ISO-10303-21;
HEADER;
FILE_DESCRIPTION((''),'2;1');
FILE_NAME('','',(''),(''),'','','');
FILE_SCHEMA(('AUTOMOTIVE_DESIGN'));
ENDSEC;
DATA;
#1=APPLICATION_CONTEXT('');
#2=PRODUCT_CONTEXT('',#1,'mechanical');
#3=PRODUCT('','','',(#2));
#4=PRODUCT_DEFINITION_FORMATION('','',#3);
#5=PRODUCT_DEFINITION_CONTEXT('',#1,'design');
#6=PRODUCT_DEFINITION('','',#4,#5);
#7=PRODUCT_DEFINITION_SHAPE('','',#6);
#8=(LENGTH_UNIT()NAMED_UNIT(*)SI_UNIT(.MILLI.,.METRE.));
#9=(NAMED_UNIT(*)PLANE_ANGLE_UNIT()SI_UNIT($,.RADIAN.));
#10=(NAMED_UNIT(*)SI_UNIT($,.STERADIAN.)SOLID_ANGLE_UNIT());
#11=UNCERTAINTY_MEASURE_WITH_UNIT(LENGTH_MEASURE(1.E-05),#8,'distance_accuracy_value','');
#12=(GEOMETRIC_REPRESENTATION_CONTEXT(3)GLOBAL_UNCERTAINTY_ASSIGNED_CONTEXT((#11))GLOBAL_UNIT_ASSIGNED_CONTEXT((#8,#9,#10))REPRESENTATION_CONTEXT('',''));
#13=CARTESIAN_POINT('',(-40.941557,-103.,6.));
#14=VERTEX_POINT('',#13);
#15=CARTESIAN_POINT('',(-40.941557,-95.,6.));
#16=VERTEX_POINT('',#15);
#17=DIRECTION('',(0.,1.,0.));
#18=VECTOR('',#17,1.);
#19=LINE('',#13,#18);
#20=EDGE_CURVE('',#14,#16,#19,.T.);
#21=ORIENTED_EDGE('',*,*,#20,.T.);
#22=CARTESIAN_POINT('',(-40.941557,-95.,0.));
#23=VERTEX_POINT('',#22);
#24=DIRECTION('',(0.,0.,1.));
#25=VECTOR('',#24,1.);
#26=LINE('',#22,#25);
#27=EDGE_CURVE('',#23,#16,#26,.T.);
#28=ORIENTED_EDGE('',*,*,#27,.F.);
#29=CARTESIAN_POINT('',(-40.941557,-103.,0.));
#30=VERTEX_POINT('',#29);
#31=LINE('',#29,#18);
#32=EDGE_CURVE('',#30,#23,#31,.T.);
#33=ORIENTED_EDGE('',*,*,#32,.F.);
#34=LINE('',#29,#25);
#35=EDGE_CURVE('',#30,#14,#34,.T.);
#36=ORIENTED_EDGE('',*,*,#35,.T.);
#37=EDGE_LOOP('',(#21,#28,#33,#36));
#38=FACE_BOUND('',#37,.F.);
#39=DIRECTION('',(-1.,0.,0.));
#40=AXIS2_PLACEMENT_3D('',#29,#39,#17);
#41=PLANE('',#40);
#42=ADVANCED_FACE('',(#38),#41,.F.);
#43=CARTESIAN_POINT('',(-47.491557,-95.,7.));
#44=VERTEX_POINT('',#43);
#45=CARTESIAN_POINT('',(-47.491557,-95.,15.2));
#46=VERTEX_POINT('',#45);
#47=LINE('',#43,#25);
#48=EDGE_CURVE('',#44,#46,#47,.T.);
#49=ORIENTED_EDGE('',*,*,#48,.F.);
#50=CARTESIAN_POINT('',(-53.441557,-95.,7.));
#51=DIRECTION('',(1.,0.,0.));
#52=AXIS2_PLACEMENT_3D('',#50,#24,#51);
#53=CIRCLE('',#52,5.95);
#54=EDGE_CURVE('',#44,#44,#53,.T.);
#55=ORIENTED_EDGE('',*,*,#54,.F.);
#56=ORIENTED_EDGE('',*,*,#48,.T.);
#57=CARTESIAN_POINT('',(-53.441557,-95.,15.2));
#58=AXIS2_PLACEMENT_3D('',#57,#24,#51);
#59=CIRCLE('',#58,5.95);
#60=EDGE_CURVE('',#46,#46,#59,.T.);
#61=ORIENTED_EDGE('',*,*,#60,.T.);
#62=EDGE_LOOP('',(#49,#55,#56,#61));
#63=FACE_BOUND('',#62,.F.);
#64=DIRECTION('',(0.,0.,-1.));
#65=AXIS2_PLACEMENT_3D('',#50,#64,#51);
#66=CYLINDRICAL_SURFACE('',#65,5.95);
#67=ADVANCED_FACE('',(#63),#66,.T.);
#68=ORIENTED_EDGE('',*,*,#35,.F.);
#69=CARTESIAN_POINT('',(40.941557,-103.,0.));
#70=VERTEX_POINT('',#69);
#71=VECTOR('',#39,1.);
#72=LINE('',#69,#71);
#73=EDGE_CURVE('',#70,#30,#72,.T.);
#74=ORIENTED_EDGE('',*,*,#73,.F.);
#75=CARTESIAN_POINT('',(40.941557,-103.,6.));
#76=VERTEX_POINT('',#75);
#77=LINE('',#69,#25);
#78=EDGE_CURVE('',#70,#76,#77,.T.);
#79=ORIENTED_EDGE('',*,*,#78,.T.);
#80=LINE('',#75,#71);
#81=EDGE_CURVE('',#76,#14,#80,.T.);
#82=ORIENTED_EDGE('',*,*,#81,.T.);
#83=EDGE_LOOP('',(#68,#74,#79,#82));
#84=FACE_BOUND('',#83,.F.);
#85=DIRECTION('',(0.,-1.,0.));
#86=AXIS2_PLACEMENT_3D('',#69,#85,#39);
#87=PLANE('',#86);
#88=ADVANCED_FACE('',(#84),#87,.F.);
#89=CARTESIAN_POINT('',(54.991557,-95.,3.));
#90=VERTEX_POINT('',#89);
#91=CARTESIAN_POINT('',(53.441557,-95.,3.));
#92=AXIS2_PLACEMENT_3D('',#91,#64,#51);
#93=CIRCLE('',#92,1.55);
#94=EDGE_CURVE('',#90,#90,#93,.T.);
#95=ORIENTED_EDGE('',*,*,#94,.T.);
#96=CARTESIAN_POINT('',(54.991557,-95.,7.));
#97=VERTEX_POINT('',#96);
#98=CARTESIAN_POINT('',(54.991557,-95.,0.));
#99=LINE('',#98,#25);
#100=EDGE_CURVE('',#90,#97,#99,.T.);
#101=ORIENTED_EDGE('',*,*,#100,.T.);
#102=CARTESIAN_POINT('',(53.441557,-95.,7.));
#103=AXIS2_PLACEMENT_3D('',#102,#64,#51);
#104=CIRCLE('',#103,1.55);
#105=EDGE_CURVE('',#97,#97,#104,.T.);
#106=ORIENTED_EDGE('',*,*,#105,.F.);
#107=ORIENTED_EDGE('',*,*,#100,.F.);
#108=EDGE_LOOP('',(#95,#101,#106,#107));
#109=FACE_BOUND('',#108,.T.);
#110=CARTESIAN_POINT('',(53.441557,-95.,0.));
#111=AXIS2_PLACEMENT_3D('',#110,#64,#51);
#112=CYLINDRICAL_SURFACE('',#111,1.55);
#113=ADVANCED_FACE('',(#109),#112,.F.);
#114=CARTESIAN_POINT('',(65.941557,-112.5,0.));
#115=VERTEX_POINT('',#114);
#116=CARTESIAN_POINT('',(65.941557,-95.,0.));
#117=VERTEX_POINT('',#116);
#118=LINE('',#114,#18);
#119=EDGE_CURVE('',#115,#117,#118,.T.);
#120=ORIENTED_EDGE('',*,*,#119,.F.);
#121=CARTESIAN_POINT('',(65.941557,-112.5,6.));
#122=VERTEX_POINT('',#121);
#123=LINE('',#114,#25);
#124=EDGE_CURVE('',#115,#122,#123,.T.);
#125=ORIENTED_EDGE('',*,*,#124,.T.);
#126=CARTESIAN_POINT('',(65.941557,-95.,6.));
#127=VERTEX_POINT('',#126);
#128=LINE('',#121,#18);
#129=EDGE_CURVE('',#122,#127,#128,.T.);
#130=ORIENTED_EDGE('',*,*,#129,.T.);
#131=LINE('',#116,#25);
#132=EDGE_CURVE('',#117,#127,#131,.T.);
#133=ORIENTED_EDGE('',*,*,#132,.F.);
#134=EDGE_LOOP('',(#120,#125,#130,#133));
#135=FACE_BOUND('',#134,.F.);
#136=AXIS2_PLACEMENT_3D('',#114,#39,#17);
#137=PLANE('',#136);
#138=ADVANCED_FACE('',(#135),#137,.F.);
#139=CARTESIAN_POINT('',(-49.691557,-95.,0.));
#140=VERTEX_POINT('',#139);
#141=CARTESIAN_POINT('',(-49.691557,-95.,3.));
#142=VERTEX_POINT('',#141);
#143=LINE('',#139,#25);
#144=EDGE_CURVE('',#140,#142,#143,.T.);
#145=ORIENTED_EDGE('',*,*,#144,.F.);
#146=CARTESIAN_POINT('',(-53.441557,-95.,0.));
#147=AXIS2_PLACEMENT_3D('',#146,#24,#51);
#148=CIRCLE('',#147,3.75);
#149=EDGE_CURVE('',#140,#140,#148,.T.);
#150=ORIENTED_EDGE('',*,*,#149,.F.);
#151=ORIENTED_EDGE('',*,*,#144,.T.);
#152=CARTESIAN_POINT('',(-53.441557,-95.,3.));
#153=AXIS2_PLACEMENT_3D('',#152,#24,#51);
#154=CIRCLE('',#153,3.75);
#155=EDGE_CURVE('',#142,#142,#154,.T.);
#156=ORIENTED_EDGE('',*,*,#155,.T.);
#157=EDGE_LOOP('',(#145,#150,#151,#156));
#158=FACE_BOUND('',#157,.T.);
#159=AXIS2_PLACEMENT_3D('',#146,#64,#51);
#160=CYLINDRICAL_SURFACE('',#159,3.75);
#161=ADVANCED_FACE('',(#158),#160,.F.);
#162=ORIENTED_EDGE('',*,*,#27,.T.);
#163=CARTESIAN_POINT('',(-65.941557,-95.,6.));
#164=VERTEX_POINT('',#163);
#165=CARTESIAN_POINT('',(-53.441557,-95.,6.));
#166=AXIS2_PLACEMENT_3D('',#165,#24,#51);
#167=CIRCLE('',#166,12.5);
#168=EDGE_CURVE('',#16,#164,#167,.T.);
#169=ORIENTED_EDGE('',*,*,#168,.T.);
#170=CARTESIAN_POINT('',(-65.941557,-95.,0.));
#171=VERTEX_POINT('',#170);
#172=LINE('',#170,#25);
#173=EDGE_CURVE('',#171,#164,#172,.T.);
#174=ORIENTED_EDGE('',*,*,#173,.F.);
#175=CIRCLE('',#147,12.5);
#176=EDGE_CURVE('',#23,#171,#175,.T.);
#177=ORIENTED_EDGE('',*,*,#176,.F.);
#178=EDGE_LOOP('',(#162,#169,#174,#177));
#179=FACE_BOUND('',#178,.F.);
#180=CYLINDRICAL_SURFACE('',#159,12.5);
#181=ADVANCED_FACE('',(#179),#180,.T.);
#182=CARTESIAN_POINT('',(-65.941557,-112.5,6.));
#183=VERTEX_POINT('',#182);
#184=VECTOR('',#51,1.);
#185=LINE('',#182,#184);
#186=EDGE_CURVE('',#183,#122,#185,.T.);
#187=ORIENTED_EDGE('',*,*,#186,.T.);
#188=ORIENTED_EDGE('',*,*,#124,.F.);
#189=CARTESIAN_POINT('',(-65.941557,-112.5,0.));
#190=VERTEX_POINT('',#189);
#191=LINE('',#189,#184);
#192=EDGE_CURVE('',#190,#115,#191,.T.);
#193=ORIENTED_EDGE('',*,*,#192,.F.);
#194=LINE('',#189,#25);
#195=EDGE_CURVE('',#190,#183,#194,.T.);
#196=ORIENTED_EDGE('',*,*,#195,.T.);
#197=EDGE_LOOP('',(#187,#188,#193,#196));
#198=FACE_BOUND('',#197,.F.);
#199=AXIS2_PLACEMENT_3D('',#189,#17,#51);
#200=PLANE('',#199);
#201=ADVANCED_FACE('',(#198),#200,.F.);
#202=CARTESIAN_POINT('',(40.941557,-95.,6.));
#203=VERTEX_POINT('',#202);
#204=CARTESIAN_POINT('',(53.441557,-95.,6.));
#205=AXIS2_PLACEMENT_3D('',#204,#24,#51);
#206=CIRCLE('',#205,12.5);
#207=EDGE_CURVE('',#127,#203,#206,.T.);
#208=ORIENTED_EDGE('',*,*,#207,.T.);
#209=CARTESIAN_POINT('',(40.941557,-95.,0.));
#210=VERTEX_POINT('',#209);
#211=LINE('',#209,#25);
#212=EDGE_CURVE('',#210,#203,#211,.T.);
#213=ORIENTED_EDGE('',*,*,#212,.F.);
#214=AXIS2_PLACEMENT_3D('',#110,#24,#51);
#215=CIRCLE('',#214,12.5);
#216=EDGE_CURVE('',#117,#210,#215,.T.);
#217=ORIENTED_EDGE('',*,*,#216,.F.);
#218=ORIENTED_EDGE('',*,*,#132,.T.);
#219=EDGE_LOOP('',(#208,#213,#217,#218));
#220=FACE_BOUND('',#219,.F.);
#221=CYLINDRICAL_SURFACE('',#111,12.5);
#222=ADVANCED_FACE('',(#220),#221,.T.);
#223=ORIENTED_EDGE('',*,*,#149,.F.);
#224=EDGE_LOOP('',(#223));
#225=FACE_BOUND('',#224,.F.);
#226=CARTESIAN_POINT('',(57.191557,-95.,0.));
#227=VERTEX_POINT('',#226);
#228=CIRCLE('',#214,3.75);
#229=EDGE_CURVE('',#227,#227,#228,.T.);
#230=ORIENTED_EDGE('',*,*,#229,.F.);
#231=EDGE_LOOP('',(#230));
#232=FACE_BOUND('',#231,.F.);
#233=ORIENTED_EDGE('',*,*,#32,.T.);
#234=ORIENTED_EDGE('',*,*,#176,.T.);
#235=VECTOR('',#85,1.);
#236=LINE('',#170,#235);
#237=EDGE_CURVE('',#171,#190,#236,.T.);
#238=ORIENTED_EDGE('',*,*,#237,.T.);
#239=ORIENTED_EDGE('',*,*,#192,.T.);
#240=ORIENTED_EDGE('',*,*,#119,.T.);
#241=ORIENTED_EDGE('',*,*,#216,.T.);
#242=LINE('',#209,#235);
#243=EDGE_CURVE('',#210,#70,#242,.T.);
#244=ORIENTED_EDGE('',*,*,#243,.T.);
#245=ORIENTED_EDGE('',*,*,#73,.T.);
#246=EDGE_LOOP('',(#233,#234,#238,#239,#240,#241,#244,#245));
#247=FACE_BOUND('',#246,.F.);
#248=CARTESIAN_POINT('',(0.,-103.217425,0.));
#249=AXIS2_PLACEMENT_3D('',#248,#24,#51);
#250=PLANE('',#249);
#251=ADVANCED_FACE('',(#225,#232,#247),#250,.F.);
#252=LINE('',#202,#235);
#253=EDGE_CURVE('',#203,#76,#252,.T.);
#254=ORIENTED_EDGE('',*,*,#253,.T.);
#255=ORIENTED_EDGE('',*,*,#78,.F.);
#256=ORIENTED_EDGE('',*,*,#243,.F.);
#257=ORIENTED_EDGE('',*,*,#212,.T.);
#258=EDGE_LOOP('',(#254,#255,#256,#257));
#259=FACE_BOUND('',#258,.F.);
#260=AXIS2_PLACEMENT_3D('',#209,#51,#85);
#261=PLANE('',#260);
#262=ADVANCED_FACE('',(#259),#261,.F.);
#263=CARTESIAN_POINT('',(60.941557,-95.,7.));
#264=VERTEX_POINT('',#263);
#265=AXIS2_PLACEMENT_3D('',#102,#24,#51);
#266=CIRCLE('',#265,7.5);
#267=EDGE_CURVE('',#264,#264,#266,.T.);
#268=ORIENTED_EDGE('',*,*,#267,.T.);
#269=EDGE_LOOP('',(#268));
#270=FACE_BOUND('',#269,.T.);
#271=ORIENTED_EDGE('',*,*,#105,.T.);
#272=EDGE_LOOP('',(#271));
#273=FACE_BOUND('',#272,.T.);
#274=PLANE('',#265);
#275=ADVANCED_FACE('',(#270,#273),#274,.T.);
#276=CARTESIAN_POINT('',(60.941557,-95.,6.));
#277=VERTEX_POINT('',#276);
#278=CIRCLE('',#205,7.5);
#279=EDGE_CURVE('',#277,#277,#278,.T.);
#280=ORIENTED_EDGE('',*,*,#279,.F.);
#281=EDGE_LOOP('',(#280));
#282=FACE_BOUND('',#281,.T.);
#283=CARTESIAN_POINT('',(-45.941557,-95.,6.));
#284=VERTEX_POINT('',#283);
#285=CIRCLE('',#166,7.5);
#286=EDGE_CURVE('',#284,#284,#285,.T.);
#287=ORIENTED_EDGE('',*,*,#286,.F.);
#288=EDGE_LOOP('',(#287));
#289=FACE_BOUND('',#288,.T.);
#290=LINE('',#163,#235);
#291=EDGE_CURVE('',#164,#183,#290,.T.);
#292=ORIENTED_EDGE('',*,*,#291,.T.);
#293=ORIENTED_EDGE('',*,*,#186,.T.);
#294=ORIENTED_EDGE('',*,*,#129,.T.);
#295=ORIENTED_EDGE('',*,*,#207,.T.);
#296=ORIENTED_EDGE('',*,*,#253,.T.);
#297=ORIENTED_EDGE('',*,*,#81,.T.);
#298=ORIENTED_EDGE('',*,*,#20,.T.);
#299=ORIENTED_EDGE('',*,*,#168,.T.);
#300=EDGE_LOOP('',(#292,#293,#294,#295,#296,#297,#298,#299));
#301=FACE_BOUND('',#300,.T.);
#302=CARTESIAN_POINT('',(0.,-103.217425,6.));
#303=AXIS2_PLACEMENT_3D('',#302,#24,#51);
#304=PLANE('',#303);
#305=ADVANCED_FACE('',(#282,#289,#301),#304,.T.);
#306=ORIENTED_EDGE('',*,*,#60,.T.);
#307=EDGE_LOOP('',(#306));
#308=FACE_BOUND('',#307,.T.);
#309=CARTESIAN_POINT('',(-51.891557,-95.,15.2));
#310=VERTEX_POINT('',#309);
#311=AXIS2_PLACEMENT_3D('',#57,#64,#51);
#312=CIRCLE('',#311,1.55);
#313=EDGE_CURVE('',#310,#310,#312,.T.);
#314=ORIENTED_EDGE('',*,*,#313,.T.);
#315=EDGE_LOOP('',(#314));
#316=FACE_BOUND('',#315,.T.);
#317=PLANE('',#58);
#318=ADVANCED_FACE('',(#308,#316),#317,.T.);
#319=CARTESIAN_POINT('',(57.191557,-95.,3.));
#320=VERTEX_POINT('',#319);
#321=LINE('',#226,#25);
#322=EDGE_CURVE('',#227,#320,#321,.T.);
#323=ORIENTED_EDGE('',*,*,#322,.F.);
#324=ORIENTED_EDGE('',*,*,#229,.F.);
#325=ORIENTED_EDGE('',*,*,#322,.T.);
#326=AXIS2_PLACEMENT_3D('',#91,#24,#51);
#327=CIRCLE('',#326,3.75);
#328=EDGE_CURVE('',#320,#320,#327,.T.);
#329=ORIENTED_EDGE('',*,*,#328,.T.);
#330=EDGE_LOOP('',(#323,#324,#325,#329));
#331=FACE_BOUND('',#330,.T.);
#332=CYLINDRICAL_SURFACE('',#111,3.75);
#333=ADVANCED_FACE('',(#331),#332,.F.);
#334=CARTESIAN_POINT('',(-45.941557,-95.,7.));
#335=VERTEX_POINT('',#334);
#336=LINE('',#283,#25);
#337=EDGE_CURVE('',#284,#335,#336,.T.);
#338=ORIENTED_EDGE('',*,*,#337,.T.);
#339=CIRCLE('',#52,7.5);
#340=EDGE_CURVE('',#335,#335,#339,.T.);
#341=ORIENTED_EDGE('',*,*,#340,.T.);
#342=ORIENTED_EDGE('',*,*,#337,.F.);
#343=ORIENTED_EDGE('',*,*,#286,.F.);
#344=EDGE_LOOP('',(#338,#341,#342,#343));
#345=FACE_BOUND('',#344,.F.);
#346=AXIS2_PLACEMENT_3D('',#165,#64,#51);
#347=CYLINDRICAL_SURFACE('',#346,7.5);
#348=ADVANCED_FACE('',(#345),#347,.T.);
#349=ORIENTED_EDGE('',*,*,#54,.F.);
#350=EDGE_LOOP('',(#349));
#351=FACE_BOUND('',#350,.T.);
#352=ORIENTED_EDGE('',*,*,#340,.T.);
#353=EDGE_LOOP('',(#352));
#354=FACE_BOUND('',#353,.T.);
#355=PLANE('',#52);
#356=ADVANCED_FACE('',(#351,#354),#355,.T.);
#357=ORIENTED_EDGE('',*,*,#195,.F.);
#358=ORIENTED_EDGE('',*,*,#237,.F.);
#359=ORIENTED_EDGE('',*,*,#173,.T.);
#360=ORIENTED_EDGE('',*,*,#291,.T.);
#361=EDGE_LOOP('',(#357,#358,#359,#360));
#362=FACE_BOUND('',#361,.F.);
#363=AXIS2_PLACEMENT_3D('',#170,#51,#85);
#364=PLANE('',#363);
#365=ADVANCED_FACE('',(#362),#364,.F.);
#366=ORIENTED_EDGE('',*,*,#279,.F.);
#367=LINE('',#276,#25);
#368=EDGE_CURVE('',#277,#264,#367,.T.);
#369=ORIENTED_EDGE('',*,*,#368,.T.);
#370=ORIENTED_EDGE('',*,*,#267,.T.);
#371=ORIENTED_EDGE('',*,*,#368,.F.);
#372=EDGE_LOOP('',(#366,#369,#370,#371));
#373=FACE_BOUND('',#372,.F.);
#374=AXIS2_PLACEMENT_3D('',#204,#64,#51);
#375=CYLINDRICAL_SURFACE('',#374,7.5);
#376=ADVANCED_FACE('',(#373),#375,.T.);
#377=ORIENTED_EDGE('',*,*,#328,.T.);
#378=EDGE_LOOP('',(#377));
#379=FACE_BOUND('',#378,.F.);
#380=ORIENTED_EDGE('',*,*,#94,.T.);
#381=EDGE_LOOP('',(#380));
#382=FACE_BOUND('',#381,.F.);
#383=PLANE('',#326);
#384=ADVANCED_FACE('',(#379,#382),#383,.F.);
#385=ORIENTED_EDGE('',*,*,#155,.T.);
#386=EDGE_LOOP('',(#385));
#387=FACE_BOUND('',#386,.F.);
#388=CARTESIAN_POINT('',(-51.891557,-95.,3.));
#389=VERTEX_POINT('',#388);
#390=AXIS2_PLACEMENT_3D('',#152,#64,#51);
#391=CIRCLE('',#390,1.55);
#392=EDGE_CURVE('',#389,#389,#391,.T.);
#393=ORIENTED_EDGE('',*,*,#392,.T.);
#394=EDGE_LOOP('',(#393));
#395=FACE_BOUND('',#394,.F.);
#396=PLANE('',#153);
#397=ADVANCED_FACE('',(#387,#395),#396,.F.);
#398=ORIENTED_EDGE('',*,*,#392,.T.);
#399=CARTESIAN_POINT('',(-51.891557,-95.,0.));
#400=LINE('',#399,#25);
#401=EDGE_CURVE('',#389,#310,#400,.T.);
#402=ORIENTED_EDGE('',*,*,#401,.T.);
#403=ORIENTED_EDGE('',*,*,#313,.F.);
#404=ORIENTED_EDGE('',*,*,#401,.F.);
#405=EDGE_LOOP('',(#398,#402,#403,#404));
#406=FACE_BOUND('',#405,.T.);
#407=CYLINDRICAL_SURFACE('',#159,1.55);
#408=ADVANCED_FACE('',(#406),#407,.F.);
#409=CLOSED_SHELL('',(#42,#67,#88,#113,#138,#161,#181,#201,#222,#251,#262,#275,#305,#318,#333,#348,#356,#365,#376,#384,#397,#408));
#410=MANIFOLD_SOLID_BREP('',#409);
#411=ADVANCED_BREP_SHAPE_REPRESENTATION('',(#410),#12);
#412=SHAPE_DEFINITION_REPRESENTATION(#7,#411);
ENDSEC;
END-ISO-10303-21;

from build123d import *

# Parameters (mm, degrees)
F2_DEPTH  = 6
F3_R      = 7.5
F4_DEPTH  = 1
F5_R      = 5.95
F6_DEPTH  = 8.2
F7_R      = 1.55
F8_DEPTH  = 15.201
F9_R      = 3.75
F10_DEPTH = 3


with BuildPart() as f2:
    # F1 (on Top) → F2 (new body)
    with BuildSketch(Plane.XY):
        with BuildLine():
            Line((-40.941557, -103), (-40.941557, -95))
            ThreePointArc((-40.941557, -95), (-53.441557, -82.5), (-65.941557, -95))
            Line((-65.941557, -95), (-65.941557, -112.5))
            Line((-65.941557, -112.5), (0, -112.5))
            Line((0, -112.5), (65.941557, -112.5))
            Line((65.941557, -112.5), (65.941557, -95))
            ThreePointArc((65.941557, -95), (53.441557, -82.5), (40.941557, -95))
            Line((40.941557, -95), (40.941557, -103))
            Line((40.941557, -103), (0, -103))
            Line((0, -103), (-40.941557, -103))
        make_face()
    extrude(amount=F2_DEPTH)

    # F3 (on face) → F4 (join)
    with BuildSketch(Plane.XY.offset(6)):
        with Locations((-53.441557, -95)):
            Circle(F3_R)
        with Locations((53.441557, -95)):
            Circle(F3_R)
    extrude(amount=F4_DEPTH)

    # F5 (on face) → F6 (join)
    with BuildSketch(Plane.XY.offset(7)):
        with Locations((-53.441557, -95)):
            Circle(F5_R)
    extrude(amount=F6_DEPTH)

    # F7 (on face) → F8 (cut, through all)
    with BuildSketch(Plane.XY):
        with Locations((-53.441557, -95)):
            Circle(F7_R)
        with Locations((53.441557, -95)):
            Circle(F7_R)
    extrude(amount=F8_DEPTH, mode=Mode.SUBTRACT)

    # F9 (on face) → F10 (cut)
    with BuildSketch(Plane.XY):
        with Locations((-53.441557, -95)):
            Circle(F9_R)
        with Locations((53.441557, -95)):
            Circle(F9_R)
    extrude(amount=F10_DEPTH, mode=Mode.SUBTRACT)


solid = f2.part
